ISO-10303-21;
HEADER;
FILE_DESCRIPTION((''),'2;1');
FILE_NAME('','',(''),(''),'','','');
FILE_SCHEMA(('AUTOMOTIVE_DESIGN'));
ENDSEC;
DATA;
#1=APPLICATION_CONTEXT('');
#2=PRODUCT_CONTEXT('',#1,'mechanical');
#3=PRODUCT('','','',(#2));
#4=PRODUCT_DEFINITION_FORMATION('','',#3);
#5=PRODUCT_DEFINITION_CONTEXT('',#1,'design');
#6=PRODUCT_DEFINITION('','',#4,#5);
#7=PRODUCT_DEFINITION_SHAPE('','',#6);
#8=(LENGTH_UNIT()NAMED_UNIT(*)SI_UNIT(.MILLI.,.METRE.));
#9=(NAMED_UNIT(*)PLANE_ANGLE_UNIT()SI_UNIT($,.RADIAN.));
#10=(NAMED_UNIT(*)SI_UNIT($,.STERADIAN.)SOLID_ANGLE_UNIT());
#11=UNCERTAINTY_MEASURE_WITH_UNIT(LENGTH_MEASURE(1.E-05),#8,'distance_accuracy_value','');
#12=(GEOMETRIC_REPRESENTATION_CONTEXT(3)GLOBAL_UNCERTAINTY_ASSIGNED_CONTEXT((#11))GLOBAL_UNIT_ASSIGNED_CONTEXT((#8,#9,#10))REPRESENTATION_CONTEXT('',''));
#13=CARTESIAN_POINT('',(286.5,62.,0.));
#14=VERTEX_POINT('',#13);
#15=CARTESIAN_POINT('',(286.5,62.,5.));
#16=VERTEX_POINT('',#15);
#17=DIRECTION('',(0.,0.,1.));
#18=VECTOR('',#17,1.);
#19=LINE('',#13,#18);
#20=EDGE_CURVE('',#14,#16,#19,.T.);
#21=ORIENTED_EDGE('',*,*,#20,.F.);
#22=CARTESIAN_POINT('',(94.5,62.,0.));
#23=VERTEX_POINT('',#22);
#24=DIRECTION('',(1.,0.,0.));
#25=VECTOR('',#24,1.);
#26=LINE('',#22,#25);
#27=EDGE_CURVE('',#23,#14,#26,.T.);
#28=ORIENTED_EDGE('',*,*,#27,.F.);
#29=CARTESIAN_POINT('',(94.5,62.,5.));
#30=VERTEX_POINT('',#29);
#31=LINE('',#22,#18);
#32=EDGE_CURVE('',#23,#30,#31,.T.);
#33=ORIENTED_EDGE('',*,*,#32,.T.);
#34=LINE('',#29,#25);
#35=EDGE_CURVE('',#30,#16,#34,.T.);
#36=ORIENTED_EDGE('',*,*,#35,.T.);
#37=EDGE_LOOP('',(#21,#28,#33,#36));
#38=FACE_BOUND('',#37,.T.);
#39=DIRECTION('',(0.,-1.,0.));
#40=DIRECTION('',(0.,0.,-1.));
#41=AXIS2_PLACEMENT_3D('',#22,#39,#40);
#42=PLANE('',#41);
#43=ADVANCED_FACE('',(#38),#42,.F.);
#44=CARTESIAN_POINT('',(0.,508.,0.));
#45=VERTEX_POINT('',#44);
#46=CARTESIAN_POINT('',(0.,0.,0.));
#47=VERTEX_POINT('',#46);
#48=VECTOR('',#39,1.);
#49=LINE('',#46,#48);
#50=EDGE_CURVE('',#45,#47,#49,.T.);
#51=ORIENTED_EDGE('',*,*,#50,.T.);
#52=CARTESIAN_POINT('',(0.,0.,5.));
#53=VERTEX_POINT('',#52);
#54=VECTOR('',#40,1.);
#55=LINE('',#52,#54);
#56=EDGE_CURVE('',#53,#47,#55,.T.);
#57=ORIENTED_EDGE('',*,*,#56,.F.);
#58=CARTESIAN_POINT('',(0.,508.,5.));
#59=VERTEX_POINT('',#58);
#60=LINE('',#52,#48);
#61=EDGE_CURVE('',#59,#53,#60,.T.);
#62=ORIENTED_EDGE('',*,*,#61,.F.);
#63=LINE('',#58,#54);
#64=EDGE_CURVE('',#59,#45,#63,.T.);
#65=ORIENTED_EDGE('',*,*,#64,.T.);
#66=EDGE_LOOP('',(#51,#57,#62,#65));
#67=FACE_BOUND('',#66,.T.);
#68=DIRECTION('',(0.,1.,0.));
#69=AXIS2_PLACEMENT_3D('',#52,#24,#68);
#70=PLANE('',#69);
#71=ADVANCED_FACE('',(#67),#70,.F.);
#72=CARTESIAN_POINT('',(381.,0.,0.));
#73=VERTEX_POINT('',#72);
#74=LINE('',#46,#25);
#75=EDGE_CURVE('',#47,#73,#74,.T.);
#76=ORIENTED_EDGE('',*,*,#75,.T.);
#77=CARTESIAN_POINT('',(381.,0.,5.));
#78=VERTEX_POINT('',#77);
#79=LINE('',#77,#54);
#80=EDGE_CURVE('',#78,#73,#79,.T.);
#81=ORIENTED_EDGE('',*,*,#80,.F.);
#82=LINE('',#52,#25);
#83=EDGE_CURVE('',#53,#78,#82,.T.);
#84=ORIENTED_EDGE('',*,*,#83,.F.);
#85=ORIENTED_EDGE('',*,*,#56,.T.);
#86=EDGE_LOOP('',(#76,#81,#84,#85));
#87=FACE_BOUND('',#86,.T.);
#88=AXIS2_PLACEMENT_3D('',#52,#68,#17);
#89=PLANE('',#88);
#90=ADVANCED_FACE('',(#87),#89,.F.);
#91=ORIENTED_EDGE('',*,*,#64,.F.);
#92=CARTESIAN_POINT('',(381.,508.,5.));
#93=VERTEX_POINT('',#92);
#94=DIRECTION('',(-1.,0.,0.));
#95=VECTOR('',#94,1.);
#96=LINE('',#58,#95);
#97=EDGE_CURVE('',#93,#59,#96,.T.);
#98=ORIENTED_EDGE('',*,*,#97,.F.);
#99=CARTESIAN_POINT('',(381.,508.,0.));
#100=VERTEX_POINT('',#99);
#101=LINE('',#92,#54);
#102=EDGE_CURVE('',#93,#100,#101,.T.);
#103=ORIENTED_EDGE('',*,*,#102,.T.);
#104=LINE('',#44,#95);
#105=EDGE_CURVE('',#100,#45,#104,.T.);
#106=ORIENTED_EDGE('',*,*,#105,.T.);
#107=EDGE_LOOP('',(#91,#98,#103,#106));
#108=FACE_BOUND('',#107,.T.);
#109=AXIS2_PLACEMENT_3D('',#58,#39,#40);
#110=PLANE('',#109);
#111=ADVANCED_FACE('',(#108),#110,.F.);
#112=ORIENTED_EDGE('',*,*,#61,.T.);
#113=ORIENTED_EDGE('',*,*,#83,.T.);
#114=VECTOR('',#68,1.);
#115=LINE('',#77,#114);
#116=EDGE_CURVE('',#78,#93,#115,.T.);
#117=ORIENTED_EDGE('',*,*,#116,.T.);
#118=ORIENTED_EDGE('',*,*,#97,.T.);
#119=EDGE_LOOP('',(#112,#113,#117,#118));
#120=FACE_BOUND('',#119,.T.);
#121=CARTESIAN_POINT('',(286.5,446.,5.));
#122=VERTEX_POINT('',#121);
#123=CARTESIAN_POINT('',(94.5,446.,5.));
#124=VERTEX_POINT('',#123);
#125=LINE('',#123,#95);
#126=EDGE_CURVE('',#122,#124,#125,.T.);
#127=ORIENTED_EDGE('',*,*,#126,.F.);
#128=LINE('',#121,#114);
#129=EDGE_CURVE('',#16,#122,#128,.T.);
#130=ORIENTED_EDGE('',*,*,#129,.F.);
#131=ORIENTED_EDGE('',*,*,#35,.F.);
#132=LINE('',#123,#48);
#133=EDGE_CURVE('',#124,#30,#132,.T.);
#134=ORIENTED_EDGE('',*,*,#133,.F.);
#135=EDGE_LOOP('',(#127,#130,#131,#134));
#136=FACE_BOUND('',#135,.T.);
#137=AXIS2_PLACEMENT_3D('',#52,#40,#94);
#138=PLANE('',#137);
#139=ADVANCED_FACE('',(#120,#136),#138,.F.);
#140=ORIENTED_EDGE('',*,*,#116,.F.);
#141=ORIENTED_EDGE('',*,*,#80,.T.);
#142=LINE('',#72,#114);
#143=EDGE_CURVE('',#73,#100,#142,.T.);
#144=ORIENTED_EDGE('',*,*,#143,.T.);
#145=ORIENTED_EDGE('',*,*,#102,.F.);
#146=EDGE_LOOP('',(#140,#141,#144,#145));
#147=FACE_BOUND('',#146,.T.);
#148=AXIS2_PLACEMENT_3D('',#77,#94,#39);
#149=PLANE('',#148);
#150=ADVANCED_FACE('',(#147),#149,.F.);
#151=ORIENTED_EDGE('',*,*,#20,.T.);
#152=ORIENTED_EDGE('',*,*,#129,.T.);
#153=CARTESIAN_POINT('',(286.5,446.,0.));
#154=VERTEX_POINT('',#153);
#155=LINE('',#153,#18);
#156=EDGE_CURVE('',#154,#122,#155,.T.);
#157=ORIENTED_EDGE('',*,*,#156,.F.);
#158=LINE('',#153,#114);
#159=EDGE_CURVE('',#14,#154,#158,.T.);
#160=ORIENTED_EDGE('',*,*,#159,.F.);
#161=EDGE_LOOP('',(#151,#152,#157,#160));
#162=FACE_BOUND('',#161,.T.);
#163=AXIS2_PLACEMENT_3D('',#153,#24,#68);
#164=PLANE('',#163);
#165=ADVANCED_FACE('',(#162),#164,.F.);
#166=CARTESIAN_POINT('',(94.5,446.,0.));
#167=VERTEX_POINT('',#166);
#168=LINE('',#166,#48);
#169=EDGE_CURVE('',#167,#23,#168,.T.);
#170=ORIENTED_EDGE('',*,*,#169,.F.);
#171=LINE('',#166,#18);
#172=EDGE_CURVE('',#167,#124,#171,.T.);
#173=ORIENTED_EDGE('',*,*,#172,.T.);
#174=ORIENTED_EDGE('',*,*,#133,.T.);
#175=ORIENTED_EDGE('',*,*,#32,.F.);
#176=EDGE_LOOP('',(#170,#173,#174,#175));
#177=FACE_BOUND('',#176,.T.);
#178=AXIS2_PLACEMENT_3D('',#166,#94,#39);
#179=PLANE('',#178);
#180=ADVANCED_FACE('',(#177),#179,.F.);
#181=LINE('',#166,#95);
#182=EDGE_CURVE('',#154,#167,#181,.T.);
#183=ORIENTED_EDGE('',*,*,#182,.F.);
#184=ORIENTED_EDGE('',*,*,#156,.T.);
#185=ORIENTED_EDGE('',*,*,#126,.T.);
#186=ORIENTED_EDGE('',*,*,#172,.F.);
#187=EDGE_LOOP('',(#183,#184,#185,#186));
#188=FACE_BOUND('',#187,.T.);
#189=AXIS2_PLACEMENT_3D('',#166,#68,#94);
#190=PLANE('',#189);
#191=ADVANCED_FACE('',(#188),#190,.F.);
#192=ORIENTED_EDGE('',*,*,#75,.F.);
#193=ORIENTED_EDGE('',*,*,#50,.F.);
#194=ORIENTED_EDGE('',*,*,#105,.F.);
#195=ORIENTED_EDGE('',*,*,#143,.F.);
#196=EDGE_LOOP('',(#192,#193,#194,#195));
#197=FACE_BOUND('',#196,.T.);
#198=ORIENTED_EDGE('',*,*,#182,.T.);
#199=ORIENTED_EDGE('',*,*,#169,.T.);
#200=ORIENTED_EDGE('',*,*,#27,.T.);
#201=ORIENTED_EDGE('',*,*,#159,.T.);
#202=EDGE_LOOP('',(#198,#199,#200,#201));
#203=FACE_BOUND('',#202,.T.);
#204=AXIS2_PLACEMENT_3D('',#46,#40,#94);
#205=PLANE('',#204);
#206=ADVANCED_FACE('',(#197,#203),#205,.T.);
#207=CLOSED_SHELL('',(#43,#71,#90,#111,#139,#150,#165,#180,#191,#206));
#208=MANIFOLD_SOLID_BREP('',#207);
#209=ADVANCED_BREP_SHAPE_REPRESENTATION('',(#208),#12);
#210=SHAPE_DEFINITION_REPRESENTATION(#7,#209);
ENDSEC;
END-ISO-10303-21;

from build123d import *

# Parameters (mm, degrees)
SKETCH1_W           = 381
SKETCH1_H           = 508
BOSS_EXTRUDE1_DEPTH = 5
SKETCH2_W           = 192
SKETCH2_H           = 384
CUT_EXTRUDE1_DEPTH  = 636.019684734


with BuildPart() as part:
    # Sketch1 → Boss-Extrude1 (new body)
    with BuildSketch(Plane.XY):
        with Locations((190.5, 254)):
            Rectangle(SKETCH1_W, SKETCH1_H)
    extrude(amount=BOSS_EXTRUDE1_DEPTH)

    # Sketch2 → Cut-Extrude1 (cut, through all)
    with BuildSketch(Plane.XY.offset(5)):
        with Locations((190.5, 254)):
            Rectangle(SKETCH2_W, SKETCH2_H)
    extrude(amount=-CUT_EXTRUDE1_DEPTH, mode=Mode.SUBTRACT)


solid = part.part
